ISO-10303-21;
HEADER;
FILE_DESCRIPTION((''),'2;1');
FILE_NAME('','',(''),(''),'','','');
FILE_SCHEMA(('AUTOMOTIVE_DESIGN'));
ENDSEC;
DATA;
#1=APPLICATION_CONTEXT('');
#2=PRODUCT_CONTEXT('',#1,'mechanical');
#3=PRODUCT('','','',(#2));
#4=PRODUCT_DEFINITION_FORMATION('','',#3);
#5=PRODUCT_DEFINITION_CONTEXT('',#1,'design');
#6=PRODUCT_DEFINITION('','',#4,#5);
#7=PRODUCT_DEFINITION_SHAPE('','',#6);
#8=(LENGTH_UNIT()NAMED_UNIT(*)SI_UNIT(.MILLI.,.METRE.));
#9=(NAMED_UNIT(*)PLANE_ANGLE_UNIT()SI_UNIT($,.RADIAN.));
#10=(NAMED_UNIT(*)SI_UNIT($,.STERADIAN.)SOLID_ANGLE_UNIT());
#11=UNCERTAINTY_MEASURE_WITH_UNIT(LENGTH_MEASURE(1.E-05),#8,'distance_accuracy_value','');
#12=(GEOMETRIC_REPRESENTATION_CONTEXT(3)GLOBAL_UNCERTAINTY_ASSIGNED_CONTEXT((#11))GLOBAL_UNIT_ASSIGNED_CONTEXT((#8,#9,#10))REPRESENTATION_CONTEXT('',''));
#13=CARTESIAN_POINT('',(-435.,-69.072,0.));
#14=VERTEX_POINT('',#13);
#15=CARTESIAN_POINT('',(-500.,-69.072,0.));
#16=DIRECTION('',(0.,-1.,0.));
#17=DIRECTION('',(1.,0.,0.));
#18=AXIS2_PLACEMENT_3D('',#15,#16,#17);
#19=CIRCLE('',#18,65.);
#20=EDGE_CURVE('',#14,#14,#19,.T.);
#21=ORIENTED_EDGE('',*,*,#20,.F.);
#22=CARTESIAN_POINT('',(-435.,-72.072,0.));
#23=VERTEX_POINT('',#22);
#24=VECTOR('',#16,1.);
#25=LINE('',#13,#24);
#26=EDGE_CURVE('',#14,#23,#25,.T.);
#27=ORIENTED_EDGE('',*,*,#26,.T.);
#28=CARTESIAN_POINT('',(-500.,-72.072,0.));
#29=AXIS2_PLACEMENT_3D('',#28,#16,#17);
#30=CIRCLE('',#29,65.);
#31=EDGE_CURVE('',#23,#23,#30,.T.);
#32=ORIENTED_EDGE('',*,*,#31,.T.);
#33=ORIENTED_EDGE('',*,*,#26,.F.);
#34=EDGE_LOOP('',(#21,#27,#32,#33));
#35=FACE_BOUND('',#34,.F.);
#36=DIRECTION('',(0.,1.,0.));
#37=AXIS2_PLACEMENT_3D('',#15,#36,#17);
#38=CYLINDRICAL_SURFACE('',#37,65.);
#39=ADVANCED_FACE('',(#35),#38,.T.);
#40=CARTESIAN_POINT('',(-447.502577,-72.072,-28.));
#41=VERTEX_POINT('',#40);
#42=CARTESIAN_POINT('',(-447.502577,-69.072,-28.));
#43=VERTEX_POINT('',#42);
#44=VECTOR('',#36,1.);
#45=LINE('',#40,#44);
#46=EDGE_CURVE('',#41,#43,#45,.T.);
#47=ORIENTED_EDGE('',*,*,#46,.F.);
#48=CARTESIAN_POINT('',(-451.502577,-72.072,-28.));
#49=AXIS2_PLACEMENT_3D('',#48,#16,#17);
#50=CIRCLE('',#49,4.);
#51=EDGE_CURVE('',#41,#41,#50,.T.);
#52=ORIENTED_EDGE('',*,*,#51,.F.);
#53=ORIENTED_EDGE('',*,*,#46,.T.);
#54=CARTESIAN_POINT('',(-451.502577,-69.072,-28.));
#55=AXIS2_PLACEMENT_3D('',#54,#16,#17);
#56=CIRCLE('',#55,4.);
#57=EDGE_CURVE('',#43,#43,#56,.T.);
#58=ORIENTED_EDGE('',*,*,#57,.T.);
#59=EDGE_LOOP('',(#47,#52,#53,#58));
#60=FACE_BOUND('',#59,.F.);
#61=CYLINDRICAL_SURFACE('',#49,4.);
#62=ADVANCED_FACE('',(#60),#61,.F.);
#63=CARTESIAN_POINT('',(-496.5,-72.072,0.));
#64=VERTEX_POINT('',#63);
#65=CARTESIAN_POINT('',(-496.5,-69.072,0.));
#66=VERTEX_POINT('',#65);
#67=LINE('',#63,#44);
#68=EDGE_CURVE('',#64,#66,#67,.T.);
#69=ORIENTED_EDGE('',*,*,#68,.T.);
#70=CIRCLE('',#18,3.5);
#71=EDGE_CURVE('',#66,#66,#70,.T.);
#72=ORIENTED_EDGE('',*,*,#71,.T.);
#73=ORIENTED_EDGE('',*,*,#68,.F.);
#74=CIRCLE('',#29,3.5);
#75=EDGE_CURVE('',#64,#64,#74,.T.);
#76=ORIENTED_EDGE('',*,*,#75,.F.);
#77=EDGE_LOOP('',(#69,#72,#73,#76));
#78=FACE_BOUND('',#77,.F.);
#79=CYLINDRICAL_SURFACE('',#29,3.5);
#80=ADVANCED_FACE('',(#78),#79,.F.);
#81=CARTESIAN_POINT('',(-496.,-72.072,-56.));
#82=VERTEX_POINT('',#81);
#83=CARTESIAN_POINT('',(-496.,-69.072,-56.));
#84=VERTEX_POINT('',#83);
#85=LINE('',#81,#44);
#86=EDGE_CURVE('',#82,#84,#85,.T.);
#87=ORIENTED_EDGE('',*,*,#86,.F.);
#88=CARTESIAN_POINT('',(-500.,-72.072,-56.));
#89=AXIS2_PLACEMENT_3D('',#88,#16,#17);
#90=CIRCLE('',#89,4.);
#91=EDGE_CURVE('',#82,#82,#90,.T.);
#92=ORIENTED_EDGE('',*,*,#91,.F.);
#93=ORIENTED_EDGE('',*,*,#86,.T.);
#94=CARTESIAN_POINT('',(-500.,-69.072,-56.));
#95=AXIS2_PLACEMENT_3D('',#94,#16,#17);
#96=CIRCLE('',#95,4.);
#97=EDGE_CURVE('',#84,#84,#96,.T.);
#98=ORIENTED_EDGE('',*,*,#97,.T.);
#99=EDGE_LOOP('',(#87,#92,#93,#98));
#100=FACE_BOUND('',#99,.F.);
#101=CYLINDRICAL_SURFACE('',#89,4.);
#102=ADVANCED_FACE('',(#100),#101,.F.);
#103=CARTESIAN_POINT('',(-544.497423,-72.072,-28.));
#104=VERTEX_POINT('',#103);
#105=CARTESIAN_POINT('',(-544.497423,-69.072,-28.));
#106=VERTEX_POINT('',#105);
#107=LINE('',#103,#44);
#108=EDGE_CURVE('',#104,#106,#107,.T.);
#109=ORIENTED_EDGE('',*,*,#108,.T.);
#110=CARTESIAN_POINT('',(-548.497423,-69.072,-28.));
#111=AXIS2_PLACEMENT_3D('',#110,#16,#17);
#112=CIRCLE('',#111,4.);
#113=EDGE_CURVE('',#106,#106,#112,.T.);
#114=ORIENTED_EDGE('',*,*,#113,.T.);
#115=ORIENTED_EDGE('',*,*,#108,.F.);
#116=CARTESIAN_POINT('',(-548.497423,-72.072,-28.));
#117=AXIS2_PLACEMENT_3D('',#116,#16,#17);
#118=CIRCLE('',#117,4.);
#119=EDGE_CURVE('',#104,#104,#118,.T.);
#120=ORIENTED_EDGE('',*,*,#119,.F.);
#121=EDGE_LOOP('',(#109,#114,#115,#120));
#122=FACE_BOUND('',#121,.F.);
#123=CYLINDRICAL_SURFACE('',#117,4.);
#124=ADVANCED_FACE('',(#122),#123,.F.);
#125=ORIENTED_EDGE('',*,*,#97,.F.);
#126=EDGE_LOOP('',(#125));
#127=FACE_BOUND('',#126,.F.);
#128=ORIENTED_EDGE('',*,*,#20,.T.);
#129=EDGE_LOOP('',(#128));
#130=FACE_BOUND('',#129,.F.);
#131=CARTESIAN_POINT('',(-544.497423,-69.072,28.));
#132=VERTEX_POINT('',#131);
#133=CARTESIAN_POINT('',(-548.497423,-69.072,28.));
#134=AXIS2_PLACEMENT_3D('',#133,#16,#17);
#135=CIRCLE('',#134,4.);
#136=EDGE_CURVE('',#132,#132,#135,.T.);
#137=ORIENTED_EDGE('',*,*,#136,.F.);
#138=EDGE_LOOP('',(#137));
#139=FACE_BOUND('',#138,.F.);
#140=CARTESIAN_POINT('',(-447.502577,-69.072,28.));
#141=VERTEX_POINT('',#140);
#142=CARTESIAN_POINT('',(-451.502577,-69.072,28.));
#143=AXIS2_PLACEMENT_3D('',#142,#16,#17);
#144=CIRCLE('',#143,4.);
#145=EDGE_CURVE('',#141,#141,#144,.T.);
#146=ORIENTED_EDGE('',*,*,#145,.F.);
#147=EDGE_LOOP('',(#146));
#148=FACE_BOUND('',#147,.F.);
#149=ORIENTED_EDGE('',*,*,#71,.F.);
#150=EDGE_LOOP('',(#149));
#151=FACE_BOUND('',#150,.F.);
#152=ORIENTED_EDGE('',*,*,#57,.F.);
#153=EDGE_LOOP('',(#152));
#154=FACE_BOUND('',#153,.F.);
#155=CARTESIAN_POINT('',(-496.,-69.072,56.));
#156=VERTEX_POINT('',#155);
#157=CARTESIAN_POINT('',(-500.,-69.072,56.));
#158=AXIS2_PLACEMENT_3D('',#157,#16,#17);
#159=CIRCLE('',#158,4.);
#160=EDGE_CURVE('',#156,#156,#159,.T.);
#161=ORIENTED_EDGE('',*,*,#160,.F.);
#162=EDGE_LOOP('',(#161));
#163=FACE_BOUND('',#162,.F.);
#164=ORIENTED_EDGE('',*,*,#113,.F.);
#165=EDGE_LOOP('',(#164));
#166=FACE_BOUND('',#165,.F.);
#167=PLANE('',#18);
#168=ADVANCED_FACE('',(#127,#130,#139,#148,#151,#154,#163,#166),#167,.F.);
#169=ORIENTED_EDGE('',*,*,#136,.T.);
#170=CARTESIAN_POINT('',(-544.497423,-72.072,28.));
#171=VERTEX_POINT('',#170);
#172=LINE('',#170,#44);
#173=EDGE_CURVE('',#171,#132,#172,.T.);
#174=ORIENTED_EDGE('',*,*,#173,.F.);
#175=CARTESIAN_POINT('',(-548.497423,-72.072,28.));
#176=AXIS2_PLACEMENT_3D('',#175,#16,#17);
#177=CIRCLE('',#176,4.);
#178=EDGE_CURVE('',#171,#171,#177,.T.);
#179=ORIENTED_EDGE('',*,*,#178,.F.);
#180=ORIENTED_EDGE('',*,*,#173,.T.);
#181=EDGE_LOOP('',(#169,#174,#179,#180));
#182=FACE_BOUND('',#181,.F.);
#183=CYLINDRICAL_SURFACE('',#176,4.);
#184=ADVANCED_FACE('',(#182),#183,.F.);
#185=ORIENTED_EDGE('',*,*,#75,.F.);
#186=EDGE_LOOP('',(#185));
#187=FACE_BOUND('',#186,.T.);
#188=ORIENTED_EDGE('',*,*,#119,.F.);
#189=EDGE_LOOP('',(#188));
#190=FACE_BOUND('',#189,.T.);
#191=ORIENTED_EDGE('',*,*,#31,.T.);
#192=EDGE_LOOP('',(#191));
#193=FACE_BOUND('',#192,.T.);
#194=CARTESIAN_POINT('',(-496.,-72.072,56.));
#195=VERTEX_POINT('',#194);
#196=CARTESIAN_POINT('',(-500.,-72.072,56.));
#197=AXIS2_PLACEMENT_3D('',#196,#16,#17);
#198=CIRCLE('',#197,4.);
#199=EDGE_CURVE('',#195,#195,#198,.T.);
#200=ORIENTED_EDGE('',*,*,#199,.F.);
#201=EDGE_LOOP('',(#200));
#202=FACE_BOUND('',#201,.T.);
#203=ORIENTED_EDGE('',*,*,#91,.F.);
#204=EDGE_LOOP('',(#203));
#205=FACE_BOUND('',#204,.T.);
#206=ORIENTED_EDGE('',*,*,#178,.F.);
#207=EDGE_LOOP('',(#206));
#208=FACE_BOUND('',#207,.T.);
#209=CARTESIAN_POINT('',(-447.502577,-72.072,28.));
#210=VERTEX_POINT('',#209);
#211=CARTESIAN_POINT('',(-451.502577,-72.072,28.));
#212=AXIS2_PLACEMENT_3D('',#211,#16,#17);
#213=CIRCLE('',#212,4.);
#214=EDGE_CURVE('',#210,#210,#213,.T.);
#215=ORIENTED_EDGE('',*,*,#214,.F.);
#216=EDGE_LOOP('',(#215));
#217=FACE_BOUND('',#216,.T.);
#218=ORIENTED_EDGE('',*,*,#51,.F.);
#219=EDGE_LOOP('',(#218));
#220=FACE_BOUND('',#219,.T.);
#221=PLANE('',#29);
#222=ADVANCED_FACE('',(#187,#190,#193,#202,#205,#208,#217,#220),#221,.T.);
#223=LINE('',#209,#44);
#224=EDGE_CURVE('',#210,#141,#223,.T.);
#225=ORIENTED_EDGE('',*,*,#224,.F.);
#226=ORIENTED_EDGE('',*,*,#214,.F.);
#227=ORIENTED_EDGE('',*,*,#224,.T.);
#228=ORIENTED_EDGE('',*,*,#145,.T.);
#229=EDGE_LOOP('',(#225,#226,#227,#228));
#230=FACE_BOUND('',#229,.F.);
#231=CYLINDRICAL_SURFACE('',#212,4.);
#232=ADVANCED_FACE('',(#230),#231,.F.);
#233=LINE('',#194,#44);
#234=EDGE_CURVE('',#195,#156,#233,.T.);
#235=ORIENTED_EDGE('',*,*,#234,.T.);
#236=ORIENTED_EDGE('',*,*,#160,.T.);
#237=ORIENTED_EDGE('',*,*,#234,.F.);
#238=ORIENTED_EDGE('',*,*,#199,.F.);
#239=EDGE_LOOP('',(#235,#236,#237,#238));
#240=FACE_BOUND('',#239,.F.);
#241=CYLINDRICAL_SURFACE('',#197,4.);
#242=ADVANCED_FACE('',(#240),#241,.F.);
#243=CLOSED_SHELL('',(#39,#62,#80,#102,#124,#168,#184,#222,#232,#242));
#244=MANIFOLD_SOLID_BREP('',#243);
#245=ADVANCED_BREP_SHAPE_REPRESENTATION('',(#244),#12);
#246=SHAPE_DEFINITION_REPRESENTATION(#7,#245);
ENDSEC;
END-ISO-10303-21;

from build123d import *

# Parameters (mm, degrees)
SKETCH005_R     = 65
PAD004_DEPTH    = 3
SKETCH006_R     = 4
POCKET_DEPTH    = 3.001
SKETCH011_R     = 3.5
POCKET002_DEPTH = 3.001


with BuildPart() as part:
    # Sketch005 → Pad004 (new body)
    with BuildSketch(Plane(origin=(500, 72.072, 0), x_dir=(1, 0, 0), z_dir=(0, -1, 0))):
        Circle(SKETCH005_R)
    extrude(amount=PAD004_DEPTH)

    # Sketch006 → Pocket (cut, through all)
    with BuildSketch(Plane(origin=(500, 69.072, 0), x_dir=(1, 0, 0), z_dir=(0, -1, 0))):
        with Locations((48.497423, 28)):
            Circle(SKETCH006_R)
        with Locations((48.497423, -28)):
            Circle(SKETCH006_R)
        with Locations((0, -56)):
            Circle(SKETCH006_R)
        with Locations((-48.497423, -28)):
            Circle(SKETCH006_R)
        with Locations((-48.497423, 28)):
            Circle(SKETCH006_R)
        with Locations((0, 56)):
            Circle(SKETCH006_R)
    extrude(amount=-POCKET_DEPTH, mode=Mode.SUBTRACT)


with BuildPart() as part_1:
    # Clone008 placement: moved
    add(part.part.moved(Location((-1000, -141.144, 0))))

    # Sketch011 → Pocket002 (cut, through all)
    with BuildSketch(Plane(origin=(-500, -72.072, 0), x_dir=(1, 0, 0), z_dir=(0, -1, 0))):
        Circle(SKETCH011_R)
    extrude(amount=-POCKET002_DEPTH, mode=Mode.SUBTRACT)


solid = part_1.part
